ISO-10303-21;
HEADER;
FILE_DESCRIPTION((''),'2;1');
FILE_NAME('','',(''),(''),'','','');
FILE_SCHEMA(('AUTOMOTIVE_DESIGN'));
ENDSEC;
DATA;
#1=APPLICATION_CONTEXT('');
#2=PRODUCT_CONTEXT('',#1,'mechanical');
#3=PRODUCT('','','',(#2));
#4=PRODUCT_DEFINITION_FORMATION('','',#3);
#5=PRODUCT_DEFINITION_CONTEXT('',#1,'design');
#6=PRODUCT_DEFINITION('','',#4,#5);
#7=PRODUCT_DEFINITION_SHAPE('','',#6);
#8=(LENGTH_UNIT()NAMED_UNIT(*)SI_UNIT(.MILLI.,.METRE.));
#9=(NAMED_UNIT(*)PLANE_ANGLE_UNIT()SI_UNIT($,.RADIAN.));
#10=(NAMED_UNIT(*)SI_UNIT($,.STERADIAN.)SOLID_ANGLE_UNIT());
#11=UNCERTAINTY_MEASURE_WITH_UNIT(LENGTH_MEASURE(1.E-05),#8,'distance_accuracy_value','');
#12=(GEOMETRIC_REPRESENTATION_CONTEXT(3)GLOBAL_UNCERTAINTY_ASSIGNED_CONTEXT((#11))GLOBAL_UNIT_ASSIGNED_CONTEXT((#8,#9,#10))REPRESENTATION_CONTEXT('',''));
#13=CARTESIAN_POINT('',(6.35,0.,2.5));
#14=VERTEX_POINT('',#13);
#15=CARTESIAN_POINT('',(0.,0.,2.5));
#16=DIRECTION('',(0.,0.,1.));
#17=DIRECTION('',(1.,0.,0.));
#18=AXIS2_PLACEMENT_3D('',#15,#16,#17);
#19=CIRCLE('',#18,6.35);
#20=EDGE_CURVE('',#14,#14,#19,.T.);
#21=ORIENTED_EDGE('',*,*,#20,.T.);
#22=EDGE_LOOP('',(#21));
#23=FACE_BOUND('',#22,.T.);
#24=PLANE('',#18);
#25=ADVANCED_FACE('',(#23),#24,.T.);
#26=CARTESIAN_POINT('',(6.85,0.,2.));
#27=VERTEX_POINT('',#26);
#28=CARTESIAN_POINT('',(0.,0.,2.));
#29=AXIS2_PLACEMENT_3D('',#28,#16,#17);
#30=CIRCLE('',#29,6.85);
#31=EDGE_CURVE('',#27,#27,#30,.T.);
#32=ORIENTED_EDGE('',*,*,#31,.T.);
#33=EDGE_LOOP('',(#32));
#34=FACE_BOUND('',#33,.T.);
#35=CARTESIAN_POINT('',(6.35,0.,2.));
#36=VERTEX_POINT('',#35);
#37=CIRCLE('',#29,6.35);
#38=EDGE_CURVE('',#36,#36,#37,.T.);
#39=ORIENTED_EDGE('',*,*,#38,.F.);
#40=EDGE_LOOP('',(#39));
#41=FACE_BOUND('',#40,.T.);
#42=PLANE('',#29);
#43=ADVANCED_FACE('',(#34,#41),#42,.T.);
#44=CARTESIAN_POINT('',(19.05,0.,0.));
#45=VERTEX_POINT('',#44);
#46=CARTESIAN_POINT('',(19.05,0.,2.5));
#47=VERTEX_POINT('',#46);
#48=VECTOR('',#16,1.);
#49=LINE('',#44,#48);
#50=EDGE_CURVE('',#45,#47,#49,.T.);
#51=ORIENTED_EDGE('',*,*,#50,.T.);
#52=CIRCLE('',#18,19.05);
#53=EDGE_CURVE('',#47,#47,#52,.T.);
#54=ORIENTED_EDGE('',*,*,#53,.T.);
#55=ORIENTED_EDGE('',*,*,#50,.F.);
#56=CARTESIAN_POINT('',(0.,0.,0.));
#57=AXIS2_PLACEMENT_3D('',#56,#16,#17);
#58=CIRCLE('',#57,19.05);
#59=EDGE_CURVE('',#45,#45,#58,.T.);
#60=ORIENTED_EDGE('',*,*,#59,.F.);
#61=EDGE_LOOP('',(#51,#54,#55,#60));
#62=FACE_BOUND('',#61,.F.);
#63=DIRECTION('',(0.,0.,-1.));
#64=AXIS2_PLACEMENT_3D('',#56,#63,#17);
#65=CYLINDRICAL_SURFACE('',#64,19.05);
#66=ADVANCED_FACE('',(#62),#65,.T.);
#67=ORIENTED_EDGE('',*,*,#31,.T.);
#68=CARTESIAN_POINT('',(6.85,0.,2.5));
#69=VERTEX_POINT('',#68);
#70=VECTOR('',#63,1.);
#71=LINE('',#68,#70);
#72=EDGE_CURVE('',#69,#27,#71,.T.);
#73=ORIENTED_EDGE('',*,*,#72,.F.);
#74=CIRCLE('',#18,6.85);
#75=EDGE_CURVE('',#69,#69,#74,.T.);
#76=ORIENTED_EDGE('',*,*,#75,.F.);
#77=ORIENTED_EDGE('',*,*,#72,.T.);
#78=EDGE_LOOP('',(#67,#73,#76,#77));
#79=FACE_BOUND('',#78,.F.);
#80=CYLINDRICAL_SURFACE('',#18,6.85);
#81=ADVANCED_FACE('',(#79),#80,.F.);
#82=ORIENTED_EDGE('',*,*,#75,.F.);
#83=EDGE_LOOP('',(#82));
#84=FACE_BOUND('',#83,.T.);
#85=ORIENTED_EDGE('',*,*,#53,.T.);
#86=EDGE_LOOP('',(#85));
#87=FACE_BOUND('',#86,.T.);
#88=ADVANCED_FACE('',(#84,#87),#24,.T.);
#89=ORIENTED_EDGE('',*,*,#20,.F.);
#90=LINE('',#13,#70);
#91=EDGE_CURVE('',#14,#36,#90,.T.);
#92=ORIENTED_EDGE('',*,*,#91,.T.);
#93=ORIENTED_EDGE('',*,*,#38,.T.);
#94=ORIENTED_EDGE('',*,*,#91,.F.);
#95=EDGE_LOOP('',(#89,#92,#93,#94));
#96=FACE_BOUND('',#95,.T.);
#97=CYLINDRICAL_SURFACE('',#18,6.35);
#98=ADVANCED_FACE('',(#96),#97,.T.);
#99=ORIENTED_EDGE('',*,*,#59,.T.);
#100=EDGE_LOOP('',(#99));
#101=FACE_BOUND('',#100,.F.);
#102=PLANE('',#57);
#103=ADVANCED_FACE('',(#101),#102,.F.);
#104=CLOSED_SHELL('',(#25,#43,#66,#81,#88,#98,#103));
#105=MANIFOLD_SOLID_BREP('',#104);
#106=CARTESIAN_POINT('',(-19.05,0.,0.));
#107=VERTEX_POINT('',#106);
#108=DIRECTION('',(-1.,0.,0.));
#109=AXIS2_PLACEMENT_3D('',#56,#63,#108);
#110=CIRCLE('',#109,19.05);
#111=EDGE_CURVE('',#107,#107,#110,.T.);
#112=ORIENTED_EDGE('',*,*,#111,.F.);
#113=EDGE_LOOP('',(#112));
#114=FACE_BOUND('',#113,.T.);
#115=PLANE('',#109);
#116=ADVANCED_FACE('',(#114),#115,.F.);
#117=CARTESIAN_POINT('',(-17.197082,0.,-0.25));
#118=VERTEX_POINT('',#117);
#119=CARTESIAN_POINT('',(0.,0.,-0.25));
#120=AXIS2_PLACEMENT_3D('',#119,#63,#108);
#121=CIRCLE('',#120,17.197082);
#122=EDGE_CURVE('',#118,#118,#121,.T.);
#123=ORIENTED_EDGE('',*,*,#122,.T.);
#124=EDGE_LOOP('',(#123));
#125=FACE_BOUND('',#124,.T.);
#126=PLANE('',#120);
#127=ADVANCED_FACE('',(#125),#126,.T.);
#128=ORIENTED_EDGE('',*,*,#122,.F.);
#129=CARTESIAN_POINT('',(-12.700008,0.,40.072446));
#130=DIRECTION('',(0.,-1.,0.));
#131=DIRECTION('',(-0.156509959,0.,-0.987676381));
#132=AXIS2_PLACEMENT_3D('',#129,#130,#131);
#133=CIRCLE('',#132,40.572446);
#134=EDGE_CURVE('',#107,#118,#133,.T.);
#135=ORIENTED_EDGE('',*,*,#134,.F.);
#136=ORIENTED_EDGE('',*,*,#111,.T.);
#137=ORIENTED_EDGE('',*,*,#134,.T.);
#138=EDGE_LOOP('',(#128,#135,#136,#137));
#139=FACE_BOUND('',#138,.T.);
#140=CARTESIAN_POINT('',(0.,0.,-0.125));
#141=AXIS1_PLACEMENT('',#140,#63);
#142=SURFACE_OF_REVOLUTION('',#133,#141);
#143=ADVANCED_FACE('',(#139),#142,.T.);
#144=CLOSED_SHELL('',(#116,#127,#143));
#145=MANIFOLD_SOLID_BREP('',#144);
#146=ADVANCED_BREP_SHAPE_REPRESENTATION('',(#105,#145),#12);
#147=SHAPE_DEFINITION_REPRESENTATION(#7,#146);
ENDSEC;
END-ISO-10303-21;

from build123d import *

# Parameters (mm, degrees)
F0_R     = 19.05
F1_DEPTH = 2.5
F2_R     = 6.85
F2_R_2   = 6.35
F3_DEPTH = 0.5


with BuildPart() as f1:
    # F0 (on Top) → F1 (new body)
    with BuildSketch(Plane.XY):
        Circle(F0_R)
    extrude(amount=F1_DEPTH)

    # F2 (on face) → F3 (cut)
    with BuildSketch(Plane.XY.offset(2.5)):
        Circle(F2_R)
        Circle(F2_R_2, mode=Mode.SUBTRACT)
    extrude(amount=-F3_DEPTH, mode=Mode.SUBTRACT)


with BuildPart() as f5:
    # F4 (on Front) → F5 (revolve)
    with BuildSketch(Plane.XZ):
        with BuildLine():
            Line((0, 0), (-19.05, 0))
            ThreePointArc((-19.05, 0), (-18.124981, -0.135675), (-17.197082, -0.25))
            Line((-17.197082, -0.25), (0, -0.25))
            Line((0, -0.25), (0, 0))
        make_face()
    revolve(axis=Axis((0, 0, -0.125), (0, 0, -1)))


solid = Compound([f1.part, f5.part])
